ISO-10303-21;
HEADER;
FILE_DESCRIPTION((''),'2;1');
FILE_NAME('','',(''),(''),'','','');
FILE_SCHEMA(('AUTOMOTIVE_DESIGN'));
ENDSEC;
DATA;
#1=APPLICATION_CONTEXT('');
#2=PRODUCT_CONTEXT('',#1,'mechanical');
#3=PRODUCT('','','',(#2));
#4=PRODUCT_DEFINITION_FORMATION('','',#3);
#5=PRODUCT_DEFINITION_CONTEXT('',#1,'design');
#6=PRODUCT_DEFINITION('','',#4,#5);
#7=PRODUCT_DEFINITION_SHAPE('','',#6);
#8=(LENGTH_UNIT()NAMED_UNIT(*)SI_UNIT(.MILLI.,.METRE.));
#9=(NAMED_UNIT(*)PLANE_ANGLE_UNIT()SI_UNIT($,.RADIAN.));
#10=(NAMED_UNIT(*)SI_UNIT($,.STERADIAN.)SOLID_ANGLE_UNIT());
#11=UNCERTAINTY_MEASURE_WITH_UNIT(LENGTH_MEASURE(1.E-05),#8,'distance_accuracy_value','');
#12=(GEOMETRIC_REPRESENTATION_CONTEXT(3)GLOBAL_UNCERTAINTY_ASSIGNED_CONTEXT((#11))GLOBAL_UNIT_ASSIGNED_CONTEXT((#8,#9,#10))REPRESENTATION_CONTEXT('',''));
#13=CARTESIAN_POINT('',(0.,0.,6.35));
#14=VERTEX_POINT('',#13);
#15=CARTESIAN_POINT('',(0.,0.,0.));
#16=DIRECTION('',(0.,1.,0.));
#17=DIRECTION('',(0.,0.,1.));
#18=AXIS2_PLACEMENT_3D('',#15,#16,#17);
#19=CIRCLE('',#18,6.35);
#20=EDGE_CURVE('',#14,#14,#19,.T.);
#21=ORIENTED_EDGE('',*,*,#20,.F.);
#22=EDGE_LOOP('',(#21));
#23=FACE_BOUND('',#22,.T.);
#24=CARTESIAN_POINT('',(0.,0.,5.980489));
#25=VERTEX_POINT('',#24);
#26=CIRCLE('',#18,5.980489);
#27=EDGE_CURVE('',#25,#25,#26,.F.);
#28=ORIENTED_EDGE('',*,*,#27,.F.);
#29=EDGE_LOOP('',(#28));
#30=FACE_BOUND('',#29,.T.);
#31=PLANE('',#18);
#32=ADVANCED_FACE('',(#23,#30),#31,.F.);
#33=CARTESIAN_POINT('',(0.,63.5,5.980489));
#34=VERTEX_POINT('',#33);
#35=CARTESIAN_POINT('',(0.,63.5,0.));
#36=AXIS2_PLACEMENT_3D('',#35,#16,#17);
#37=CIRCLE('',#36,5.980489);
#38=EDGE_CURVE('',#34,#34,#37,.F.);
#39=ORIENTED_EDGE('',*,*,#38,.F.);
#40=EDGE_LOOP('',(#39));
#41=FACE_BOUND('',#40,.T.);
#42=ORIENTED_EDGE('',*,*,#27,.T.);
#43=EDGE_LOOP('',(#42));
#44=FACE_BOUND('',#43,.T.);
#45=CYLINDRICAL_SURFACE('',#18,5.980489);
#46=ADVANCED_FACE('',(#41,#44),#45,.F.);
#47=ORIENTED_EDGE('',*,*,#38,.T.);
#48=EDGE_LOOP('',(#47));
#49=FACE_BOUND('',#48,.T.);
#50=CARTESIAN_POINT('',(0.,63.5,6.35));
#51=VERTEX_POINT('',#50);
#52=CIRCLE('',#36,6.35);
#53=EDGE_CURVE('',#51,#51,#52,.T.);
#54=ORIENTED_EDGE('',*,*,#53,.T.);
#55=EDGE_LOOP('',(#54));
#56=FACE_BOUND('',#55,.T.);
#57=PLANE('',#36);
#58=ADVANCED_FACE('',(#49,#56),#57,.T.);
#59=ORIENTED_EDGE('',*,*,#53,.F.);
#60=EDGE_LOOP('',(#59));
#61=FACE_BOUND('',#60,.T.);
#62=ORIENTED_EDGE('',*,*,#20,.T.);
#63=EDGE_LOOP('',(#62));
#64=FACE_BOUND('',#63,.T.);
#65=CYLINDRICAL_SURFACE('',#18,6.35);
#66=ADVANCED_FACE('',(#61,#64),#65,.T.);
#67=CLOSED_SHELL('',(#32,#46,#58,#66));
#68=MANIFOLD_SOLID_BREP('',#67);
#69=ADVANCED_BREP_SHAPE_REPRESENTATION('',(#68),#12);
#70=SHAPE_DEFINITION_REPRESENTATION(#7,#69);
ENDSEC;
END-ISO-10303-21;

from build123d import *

# Parameters (mm, degrees)
SKETCH1_R   = 6.35
SKETCH1_R_2 = 5.98048883


with BuildPart() as part:
    # Sweep1: sweep along a path in Sketch2
    with BuildLine(Plane(origin=(0, 0, 0), x_dir=(0, 0, -1), z_dir=(1, 0, 0))) as sweep1_path:
        Line((0, 0), (0, 63.5))
    # Sketch1 → Sweep1 (sweep)
    with BuildSketch(Plane(origin=(0, 0, 0), x_dir=(1, 0, 0), z_dir=(0, 1, 0))):
        Circle(SKETCH1_R)
        Circle(SKETCH1_R_2, mode=Mode.SUBTRACT)
    sweep(path=sweep1_path.line)


solid = part.part
